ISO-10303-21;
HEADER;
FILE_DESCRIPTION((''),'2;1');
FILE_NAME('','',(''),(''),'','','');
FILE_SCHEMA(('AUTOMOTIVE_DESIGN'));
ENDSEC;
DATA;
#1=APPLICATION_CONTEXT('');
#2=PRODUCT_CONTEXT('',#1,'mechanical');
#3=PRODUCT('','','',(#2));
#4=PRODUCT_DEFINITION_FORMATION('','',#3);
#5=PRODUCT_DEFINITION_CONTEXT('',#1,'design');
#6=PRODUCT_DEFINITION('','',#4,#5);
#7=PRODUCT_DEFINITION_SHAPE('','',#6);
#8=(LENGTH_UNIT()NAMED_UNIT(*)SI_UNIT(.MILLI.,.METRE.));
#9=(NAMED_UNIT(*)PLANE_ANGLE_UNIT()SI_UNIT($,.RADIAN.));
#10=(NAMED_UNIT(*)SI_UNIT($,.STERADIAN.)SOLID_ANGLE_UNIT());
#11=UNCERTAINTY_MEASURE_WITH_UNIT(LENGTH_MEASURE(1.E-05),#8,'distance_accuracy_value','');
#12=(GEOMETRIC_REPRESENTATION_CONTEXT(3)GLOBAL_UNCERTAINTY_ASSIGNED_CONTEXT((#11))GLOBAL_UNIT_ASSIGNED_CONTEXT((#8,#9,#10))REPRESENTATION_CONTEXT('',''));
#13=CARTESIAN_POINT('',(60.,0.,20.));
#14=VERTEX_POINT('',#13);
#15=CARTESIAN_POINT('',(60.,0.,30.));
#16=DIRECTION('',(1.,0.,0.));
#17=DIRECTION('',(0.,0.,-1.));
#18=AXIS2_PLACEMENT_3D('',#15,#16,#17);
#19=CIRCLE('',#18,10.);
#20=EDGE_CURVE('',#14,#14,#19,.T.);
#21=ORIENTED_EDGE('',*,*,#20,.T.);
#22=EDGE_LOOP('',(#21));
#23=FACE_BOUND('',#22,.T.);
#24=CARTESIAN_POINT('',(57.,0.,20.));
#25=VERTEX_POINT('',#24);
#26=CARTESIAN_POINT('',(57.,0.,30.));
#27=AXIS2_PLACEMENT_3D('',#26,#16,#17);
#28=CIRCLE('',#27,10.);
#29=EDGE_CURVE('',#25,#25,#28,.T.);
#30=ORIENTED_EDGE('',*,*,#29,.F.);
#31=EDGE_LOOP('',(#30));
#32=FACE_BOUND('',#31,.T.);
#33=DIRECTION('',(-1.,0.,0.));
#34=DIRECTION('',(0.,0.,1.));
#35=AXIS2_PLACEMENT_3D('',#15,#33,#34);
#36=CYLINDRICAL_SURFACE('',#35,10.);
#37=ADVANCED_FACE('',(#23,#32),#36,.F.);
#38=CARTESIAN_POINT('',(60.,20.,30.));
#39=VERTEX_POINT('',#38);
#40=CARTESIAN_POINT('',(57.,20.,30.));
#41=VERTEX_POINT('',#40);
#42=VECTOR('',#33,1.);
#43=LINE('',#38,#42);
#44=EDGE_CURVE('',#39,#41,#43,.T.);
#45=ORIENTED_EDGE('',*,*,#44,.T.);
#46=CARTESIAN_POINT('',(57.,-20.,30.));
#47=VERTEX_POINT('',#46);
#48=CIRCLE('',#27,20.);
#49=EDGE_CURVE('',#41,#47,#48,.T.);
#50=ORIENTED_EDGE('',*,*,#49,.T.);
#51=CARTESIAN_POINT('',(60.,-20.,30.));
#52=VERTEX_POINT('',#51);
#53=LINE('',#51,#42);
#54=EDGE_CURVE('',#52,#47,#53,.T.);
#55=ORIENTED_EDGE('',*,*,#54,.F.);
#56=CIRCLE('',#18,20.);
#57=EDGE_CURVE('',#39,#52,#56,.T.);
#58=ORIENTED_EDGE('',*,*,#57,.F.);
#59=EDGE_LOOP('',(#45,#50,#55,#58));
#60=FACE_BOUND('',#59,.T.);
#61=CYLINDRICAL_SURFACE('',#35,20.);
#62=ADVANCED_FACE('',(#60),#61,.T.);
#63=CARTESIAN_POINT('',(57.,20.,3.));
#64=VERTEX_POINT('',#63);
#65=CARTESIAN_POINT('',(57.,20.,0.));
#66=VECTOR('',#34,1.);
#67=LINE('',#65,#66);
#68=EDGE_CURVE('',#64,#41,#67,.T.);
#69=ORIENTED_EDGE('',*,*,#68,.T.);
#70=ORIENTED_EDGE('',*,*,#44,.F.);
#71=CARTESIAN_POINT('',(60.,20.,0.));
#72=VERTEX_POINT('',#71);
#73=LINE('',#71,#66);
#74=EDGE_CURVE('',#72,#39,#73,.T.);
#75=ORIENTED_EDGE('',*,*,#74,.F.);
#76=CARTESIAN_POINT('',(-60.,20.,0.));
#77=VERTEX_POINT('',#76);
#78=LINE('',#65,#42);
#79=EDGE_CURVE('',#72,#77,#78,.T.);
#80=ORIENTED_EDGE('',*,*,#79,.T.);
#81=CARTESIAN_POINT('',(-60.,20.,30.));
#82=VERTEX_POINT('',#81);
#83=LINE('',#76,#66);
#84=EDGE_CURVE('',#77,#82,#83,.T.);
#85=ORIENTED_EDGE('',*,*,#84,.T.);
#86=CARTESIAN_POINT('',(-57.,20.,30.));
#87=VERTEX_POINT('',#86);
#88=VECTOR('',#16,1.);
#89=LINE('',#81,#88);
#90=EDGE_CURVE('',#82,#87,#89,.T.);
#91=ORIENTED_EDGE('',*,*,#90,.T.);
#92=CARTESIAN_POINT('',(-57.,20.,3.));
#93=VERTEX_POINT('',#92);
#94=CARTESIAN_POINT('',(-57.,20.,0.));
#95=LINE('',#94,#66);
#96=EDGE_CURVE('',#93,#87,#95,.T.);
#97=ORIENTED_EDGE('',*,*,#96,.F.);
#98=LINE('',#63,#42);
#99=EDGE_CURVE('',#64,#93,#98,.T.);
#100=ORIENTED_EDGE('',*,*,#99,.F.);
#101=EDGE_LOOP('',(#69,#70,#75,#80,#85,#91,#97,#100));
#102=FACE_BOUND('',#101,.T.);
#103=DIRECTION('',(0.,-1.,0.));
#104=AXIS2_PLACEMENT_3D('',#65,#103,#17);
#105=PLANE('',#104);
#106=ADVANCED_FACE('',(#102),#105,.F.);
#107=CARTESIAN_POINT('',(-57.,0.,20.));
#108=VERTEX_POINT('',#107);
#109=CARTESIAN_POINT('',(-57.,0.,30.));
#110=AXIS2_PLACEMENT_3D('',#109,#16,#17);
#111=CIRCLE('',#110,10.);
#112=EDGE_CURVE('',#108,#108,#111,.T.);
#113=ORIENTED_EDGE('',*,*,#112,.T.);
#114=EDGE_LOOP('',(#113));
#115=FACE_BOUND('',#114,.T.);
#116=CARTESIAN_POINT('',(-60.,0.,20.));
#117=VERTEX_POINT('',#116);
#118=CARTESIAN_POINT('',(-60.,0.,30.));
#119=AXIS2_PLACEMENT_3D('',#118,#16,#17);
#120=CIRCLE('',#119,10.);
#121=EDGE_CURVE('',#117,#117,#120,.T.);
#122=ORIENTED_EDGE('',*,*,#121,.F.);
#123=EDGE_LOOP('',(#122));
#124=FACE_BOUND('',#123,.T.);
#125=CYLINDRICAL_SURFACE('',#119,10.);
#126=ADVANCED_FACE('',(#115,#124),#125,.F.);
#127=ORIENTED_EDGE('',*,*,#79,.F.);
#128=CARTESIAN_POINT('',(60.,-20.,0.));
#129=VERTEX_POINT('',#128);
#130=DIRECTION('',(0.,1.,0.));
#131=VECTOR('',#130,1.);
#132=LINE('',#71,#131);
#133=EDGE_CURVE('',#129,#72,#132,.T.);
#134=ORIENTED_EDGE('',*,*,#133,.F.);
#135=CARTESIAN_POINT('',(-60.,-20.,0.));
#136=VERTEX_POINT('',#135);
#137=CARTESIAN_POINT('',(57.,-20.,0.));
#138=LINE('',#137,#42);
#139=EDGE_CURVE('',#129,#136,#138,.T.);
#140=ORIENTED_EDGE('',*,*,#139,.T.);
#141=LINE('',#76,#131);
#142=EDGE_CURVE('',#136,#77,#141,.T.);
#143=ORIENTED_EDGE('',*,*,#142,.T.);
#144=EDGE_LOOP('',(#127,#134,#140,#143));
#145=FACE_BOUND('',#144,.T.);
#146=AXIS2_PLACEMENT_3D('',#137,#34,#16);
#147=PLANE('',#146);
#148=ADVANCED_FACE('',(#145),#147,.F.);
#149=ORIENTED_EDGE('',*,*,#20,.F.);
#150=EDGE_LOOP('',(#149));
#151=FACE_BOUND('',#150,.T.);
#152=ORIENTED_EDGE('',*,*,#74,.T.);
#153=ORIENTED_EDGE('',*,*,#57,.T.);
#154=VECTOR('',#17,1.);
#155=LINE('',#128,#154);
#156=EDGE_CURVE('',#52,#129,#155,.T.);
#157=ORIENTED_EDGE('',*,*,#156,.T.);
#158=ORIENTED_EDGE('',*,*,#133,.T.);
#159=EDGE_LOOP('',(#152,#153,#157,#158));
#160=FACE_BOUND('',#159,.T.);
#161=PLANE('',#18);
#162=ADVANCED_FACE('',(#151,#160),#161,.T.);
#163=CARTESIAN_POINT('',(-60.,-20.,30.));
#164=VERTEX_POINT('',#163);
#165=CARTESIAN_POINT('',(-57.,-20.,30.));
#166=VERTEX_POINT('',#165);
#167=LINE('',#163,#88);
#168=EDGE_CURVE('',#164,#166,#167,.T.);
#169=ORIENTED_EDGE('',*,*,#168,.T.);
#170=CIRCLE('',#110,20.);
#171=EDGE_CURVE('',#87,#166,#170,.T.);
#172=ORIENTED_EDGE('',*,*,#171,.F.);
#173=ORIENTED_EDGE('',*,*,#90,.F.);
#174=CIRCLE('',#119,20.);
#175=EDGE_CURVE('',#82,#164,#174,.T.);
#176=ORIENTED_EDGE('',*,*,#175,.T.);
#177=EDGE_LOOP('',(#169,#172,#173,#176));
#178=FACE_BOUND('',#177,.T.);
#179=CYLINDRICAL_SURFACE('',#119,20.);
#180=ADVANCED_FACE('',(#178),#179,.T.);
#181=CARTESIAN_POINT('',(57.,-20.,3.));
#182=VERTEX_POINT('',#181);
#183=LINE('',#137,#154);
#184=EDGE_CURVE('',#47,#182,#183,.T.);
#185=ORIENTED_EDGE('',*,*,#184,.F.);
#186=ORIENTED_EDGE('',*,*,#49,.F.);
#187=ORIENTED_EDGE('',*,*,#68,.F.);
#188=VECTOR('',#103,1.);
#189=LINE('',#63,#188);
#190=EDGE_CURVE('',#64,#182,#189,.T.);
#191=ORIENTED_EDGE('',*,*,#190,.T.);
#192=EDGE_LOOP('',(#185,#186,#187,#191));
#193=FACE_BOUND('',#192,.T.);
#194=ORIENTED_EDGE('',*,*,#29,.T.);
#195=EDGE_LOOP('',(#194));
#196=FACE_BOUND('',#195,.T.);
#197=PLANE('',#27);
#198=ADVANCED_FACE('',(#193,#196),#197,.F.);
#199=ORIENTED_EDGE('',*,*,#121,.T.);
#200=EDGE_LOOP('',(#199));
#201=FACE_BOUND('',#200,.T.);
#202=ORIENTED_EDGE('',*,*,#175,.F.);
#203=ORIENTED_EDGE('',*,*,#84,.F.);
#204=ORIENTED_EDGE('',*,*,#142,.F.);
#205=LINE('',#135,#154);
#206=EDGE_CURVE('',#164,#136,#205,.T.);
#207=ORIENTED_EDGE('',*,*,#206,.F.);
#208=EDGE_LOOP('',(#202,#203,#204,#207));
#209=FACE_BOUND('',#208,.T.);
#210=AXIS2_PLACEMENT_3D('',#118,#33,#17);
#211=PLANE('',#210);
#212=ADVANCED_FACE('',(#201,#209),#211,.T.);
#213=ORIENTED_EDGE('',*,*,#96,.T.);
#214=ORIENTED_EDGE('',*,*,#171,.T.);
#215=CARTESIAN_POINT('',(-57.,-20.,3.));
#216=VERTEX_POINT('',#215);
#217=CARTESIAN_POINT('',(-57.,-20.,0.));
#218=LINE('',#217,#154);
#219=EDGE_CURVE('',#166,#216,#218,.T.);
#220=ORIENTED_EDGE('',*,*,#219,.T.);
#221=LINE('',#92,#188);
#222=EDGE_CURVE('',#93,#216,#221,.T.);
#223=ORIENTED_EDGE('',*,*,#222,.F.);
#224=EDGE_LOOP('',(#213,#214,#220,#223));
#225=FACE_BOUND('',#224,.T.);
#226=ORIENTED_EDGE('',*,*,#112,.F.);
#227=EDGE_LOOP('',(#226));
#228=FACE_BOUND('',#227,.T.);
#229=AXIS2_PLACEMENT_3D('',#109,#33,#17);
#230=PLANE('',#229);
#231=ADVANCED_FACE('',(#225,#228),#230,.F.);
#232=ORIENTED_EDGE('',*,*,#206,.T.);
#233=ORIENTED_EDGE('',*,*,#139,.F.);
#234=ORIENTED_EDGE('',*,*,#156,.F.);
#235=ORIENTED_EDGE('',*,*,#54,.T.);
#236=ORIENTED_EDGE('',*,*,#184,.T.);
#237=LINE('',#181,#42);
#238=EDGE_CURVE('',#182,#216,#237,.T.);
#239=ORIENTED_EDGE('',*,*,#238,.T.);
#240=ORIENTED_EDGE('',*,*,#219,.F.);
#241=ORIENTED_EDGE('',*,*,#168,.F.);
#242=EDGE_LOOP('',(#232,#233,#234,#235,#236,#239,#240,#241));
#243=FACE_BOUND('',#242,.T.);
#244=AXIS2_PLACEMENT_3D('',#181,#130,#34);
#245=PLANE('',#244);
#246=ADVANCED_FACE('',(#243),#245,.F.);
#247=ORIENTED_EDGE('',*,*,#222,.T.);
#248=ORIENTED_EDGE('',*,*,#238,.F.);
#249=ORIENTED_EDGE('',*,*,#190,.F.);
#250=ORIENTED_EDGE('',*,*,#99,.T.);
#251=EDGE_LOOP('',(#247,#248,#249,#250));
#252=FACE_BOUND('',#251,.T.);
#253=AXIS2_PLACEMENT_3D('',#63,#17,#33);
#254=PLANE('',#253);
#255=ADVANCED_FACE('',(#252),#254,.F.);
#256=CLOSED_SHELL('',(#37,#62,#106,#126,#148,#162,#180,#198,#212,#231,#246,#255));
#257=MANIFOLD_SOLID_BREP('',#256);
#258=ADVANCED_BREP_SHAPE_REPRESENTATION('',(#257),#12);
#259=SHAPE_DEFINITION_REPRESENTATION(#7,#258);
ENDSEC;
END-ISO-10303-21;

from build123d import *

# Parameters (mm, degrees)
SKETCH_1_W      = 3
SKETCH_1_H      = 40
EXTRUDE_1_DEPTH = 57
SKETCH_2_R      = 10
EXTRUDE_2_DEPTH = 3


with BuildPart() as part:
    # 스케치1 → 보스-돌출1 (new, symmetric)
    with BuildSketch(Plane(origin=(0, 0, 0), x_dir=(0, 0, -1), z_dir=(1, 0, 0))):
        with Locations((-1.5, 0)):
            Rectangle(SKETCH_1_W, SKETCH_1_H)
    extrude(amount=EXTRUDE_1_DEPTH, both=True)

    # 스케치2 → 보스-돌출2 (add)
    with BuildSketch(Plane(origin=(57, 0, 0), x_dir=(0, 0, -1), z_dir=(1, 0, 0))):
        with BuildLine():
            Line((0, 20), (-30, 20))
            ThreePointArc((-30, 20), (-50, 0), (-30, -20))
            Line((-30, -20), (0, -20))
            Line((0, -20), (0, 20))
        make_face()
        with Locations((-30, 0)):
            Circle(SKETCH_2_R, mode=Mode.SUBTRACT)
    extrude_2 = extrude(amount=EXTRUDE_2_DEPTH)

    # 대칭 복사1: 보스-돌출2 across plane
    add(extrude_2.mirror(Plane(origin=(0, 0, 0), x_dir=(0, 0, 1), z_dir=(1, 0, 0))))


solid = part.part
